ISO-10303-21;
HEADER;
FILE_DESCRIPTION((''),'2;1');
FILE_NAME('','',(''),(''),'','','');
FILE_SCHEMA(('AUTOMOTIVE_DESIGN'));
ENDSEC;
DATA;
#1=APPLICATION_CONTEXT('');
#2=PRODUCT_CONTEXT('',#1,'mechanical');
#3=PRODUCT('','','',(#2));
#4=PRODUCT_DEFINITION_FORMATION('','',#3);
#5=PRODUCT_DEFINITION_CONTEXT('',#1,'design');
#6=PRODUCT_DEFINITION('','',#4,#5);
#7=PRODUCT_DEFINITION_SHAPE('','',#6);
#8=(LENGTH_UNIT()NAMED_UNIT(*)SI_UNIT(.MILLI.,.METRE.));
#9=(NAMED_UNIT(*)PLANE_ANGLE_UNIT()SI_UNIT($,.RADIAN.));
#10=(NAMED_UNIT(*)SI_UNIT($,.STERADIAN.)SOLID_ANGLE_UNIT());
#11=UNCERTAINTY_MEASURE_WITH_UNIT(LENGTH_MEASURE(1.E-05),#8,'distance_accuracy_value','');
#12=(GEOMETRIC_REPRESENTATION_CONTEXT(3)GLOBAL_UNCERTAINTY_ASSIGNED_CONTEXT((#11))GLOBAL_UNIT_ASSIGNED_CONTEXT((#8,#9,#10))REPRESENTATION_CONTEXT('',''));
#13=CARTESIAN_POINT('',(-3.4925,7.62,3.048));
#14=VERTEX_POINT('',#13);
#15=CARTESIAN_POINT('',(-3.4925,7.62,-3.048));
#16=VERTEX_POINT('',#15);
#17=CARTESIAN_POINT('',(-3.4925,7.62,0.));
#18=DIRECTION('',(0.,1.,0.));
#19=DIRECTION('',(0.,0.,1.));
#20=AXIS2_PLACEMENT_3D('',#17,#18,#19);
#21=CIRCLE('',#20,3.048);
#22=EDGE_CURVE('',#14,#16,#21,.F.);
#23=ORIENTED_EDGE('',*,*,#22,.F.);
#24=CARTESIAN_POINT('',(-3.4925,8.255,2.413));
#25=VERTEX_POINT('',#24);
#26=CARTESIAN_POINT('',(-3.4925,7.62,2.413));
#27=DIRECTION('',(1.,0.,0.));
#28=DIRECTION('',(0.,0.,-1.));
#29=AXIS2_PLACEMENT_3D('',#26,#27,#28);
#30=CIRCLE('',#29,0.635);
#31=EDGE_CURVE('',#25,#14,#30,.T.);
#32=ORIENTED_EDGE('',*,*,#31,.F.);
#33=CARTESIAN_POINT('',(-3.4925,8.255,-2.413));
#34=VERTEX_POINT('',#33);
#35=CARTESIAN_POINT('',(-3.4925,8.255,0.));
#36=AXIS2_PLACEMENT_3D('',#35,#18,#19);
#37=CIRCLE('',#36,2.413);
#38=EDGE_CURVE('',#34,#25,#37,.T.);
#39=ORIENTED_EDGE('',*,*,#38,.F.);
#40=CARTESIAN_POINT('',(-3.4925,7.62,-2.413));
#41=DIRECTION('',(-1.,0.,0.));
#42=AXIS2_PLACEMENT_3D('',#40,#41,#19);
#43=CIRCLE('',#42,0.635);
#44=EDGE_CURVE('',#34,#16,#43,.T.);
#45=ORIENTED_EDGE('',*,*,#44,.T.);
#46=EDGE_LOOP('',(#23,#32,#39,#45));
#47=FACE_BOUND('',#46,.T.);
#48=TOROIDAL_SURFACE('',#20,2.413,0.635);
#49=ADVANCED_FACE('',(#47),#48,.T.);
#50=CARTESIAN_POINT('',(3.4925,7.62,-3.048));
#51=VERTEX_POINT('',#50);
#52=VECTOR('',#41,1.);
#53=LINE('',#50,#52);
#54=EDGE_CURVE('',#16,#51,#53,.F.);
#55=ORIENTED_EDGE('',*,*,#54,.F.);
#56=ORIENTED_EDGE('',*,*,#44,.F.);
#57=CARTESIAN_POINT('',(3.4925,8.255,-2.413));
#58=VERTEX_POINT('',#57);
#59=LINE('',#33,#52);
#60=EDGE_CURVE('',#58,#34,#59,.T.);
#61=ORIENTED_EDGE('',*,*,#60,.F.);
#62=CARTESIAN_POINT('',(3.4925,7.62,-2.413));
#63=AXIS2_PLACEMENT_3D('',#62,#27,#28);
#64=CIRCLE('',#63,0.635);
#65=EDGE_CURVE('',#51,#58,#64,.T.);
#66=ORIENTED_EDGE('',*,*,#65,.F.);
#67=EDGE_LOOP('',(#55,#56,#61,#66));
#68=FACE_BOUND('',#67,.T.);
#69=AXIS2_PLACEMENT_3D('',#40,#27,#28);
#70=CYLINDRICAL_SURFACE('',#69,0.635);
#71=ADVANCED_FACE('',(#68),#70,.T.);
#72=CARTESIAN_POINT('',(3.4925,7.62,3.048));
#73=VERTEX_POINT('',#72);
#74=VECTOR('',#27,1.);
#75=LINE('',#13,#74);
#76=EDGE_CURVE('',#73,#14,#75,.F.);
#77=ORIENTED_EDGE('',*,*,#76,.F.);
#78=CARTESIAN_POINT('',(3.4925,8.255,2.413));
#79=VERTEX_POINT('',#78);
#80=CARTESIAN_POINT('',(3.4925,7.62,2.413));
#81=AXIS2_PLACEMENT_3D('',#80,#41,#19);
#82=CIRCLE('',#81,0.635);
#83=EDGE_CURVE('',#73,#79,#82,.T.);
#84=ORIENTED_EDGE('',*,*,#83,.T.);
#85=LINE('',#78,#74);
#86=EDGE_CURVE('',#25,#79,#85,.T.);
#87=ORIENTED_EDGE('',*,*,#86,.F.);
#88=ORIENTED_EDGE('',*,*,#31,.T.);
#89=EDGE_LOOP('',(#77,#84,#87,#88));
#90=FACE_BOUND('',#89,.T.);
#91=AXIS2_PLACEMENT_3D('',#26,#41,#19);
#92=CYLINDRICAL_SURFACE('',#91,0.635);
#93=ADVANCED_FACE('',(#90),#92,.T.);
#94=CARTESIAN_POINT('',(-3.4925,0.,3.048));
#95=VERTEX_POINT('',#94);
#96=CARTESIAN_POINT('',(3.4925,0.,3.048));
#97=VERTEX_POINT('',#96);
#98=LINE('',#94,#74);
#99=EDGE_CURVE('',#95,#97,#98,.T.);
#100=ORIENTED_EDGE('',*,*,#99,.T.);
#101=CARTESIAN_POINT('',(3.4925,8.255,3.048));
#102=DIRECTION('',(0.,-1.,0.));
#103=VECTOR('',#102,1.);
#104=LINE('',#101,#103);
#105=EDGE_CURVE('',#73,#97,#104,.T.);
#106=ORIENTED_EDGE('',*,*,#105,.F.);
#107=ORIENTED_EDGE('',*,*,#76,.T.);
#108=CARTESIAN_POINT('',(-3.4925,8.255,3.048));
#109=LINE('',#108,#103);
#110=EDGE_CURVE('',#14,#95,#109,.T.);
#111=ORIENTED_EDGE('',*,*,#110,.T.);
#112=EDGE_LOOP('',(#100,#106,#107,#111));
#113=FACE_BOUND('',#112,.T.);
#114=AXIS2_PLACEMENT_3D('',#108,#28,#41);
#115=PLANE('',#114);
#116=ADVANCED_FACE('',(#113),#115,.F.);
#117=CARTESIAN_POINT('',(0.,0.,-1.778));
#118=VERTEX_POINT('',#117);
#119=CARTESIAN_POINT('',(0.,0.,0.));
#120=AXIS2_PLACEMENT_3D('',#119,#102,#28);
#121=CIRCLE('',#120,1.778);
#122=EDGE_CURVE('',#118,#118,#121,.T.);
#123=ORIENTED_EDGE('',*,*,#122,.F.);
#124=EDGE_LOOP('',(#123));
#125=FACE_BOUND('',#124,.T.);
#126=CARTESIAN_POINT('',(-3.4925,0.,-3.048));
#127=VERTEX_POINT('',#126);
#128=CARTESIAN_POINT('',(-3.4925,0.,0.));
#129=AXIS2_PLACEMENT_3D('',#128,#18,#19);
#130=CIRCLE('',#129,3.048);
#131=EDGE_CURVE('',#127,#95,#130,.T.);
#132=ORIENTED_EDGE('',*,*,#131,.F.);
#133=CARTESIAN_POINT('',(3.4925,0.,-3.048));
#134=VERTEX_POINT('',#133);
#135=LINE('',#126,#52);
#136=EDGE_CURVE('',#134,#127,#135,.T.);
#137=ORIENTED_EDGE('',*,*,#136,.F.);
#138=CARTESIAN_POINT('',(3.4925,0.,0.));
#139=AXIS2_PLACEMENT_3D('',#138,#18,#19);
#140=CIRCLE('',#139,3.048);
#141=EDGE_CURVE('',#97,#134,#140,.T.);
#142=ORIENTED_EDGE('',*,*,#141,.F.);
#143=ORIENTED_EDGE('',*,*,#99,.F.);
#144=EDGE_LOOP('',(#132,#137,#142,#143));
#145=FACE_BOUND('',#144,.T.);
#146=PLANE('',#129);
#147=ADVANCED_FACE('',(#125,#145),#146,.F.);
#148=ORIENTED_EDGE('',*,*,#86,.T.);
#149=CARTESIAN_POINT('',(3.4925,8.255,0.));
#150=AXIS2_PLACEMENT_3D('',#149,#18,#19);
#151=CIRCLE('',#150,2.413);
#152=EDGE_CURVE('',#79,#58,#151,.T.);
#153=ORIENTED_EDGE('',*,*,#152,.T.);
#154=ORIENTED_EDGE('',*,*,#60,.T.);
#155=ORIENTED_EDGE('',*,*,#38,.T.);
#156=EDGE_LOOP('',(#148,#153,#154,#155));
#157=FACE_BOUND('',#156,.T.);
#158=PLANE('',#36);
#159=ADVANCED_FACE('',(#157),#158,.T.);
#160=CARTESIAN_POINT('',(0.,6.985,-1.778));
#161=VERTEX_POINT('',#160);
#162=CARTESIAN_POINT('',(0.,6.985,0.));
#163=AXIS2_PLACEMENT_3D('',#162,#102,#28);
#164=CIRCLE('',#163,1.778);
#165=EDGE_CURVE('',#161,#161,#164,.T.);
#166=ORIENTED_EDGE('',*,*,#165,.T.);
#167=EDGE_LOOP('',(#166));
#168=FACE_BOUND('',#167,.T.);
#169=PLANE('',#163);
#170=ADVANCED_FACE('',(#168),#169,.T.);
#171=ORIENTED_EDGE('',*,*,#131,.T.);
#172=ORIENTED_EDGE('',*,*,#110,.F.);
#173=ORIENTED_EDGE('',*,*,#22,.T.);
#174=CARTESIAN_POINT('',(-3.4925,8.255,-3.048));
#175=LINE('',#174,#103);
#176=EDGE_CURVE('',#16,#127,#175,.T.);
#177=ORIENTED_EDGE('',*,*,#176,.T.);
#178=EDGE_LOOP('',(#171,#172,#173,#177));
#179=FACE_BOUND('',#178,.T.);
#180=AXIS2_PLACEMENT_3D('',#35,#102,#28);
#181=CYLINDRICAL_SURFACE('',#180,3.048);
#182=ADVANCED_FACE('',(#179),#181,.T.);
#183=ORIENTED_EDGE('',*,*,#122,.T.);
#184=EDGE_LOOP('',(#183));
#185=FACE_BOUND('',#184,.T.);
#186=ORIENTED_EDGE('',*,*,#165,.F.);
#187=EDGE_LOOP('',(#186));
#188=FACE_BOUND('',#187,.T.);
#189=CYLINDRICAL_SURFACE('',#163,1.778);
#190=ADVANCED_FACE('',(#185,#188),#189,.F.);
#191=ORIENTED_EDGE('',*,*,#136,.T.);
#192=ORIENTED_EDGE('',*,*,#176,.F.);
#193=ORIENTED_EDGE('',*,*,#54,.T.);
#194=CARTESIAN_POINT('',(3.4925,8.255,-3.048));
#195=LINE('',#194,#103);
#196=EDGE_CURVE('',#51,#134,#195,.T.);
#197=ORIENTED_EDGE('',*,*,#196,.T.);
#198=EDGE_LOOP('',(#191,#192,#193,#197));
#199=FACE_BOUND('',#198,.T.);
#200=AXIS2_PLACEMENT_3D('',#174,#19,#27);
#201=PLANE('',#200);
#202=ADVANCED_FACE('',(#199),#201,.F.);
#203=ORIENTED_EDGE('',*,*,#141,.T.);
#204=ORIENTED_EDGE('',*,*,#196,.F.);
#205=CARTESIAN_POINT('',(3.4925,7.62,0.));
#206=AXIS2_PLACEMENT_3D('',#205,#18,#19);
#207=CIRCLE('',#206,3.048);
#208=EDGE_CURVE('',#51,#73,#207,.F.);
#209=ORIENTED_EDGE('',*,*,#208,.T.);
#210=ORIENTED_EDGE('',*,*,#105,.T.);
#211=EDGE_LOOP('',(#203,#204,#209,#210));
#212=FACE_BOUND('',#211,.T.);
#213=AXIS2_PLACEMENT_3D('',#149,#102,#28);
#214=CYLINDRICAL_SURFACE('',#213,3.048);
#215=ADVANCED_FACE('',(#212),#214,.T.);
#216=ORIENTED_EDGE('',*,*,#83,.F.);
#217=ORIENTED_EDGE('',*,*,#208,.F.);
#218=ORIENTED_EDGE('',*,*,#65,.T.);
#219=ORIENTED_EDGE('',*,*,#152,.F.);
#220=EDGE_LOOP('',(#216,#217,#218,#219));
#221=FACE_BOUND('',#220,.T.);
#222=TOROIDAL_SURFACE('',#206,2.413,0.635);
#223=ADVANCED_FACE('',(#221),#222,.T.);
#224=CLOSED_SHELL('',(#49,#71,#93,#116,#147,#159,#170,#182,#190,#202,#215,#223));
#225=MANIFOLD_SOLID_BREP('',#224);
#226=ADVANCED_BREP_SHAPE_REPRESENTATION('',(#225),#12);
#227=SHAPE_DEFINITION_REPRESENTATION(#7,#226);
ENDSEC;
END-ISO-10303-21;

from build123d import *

# Parameters (mm, degrees)
BOSS_EXTRUDE1_DEPTH = 8.255
FILLET1_R           = 0.635
SKETCH2_R           = 1.778
CUT_EXTRUDE3_DEPTH  = 6.985


with BuildPart() as part:
    # Sketch1 → Boss-Extrude1 (new body)
    with BuildSketch(Plane(origin=(0, 0, 0), x_dir=(1, 0, 0), z_dir=(0, 1, 0))):
        with BuildLine():
            Line((-3.4925, 3.048), (3.4925, 3.048))
            ThreePointArc((3.4925, 3.048), (6.5405, 0), (3.4925, -3.048))
            Line((3.4925, -3.048), (-3.4925, -3.048))
            ThreePointArc((-3.4925, -3.048), (-6.5405, 0), (-3.4925, 3.048))
        make_face()
    extrude(amount=BOSS_EXTRUDE1_DEPTH)

    # Fillet1
    fillet1_edges = [part.edges().sort_by_distance(p)[0] for p in [
        (6.5405, 8.255, 0),
        (0, 8.255, -3.048),
        (-6.5405, 8.255, 0),
        (0, 8.255, 3.048),
    ]]
    fillet(fillet1_edges, radius=FILLET1_R)

    # Sketch2 → Cut-Extrude3 (cut)
    with BuildSketch(Plane.XZ):
        Circle(SKETCH2_R)
    extrude(amount=-CUT_EXTRUDE3_DEPTH, mode=Mode.SUBTRACT)


solid = part.part
